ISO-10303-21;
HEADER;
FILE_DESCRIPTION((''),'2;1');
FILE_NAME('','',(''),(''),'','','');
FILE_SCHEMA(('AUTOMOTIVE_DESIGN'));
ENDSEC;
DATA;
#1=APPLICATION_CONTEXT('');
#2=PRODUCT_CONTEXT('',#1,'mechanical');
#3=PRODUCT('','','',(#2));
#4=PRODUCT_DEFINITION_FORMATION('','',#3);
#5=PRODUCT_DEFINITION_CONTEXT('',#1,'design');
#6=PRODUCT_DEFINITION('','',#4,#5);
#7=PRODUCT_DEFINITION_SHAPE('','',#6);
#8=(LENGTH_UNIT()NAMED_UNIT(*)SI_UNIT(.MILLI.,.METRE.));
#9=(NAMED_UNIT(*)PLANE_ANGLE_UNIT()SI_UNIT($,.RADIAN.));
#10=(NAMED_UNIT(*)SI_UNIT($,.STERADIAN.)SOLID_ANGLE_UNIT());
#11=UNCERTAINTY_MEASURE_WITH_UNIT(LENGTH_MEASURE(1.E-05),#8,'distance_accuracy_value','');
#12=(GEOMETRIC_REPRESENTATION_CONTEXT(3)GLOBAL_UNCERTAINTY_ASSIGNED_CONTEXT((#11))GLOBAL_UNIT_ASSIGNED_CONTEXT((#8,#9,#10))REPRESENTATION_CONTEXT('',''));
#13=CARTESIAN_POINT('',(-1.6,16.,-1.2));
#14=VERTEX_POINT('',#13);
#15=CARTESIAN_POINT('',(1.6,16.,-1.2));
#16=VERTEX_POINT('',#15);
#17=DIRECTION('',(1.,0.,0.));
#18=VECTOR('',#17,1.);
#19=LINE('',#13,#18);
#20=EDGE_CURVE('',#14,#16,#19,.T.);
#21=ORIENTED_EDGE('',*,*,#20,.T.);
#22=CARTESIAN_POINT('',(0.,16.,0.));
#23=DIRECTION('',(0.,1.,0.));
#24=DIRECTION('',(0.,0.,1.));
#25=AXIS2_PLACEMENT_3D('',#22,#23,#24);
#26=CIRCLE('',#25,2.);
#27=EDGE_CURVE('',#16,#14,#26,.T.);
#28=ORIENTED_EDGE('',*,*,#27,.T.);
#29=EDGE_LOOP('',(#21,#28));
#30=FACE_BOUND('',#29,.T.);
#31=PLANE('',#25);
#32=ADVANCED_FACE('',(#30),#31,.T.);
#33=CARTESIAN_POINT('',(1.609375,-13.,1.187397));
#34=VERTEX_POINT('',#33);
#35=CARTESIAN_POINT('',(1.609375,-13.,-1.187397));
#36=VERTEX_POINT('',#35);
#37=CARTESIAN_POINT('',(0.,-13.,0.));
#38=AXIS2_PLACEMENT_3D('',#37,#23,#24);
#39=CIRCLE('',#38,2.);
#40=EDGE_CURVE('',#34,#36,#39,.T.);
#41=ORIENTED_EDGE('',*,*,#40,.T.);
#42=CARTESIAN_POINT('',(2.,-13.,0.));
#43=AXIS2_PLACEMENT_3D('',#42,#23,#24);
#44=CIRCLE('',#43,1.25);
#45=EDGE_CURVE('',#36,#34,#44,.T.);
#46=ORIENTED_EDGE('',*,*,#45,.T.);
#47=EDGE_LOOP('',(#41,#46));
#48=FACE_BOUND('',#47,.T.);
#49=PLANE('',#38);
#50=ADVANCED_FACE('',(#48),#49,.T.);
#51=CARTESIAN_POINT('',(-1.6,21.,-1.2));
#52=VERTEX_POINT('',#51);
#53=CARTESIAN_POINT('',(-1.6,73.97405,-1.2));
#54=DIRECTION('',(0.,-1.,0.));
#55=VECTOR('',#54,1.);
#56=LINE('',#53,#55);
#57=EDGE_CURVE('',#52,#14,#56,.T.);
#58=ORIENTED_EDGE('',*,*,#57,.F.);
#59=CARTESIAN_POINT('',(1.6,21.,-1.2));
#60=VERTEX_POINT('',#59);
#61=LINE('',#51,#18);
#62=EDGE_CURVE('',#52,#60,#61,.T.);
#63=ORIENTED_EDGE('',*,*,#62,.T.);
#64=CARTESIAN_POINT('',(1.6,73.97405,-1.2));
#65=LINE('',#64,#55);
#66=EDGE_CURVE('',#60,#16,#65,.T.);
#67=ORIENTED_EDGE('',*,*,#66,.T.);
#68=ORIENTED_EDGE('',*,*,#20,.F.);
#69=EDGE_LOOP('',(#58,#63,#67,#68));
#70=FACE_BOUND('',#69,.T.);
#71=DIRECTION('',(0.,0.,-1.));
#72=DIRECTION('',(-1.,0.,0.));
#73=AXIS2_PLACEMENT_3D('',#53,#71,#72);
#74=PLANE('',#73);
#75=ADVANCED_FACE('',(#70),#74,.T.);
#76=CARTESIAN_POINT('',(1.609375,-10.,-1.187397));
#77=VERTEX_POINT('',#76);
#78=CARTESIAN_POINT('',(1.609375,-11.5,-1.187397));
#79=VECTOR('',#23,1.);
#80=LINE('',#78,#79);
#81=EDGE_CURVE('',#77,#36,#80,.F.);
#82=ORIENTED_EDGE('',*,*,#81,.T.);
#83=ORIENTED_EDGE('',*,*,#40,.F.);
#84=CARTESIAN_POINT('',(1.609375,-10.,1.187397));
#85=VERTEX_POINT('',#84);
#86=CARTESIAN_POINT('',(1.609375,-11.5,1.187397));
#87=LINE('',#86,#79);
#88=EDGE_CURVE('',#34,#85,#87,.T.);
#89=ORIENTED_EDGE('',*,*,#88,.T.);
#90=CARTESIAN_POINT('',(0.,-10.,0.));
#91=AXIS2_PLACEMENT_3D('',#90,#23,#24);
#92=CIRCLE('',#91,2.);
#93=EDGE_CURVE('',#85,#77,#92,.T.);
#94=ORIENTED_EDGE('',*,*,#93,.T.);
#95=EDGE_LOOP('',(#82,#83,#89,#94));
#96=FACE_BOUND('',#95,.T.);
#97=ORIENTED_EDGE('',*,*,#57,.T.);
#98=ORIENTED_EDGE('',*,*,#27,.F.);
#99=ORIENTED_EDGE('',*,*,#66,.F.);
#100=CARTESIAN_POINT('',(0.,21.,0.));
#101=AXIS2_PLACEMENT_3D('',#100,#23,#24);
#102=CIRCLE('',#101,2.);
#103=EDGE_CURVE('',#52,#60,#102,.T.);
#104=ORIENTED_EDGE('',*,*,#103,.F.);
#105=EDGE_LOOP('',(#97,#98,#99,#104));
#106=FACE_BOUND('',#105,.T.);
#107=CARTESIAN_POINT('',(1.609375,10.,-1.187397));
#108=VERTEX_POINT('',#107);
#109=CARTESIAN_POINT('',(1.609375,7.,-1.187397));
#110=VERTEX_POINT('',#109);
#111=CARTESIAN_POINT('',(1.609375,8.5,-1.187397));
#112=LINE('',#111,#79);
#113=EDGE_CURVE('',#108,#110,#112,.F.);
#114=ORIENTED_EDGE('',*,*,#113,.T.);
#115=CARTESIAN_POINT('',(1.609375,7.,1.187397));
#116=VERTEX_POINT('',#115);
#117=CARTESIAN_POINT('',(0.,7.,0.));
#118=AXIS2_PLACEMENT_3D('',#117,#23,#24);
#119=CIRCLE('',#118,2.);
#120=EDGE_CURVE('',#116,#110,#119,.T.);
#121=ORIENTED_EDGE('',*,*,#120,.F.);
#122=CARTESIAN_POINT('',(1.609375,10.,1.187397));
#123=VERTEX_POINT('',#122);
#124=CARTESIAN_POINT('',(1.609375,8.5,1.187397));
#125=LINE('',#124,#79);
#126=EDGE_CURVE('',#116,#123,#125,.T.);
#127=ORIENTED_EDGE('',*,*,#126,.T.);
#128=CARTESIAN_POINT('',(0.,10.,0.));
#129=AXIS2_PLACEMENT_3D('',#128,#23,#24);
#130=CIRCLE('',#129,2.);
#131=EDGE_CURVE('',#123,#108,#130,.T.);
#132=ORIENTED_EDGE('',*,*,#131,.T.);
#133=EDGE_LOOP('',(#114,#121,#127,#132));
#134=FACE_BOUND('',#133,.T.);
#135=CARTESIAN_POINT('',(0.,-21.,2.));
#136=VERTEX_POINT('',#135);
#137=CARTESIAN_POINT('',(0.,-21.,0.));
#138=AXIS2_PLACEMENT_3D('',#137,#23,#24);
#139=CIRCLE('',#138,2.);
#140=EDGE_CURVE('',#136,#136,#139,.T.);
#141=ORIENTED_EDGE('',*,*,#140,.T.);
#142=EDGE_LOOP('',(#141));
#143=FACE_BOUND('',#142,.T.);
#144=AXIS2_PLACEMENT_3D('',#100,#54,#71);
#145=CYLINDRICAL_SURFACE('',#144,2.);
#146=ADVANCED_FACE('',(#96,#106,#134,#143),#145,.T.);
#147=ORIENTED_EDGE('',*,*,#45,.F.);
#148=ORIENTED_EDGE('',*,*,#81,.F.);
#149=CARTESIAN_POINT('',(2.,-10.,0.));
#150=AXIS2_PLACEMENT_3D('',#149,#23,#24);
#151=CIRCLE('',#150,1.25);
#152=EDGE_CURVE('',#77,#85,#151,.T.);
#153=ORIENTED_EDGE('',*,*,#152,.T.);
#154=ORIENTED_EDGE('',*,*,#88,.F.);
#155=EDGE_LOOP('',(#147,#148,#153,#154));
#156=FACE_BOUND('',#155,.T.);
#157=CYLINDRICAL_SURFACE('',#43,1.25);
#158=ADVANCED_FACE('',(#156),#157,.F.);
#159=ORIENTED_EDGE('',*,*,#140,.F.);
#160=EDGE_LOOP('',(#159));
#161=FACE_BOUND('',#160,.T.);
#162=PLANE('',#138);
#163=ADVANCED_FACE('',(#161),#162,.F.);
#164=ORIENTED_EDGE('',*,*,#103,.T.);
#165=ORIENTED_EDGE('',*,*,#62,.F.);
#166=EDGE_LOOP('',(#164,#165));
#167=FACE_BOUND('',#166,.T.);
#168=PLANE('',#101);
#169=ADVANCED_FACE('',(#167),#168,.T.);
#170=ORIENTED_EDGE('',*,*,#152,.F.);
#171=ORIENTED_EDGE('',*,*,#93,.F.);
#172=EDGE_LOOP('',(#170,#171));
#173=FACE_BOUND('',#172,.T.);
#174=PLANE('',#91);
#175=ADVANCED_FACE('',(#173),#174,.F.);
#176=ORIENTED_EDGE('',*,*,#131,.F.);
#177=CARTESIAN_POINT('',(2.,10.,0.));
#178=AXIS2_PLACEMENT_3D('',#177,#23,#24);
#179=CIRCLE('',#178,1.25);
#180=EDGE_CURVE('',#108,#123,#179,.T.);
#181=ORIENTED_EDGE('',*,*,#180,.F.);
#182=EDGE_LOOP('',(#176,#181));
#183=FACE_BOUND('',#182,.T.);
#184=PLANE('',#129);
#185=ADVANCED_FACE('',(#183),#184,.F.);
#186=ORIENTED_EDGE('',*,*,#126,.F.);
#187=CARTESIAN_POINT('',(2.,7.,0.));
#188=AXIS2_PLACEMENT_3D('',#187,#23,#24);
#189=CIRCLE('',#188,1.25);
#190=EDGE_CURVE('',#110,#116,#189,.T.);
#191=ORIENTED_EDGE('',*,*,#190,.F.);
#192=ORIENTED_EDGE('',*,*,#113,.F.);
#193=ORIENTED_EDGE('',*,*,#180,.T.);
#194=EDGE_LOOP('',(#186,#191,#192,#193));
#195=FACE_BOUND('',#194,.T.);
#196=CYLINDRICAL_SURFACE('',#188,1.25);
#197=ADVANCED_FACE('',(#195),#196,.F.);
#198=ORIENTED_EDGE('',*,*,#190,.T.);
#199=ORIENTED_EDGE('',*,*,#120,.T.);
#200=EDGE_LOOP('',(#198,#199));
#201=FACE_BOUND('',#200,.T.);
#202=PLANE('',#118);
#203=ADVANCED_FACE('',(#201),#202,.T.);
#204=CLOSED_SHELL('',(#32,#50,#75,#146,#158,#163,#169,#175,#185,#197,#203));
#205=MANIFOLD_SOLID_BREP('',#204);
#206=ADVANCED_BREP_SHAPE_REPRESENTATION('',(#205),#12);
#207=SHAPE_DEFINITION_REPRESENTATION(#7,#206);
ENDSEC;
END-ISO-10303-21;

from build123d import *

# Parameters (mm, degrees)
CROQUIS1_R                 = 2
SALIENTE_EXTRUIR1_DEPTH    = 21
CORTAR_EXTRUIR1_DEPTH      = 43.09513036
CORTAR_EXTRUIR1_DEPTH_BACK = 5
CUT_EXTRUDE1_START         = 10
SKETCH2_R                  = 1.25
CUT_EXTRUDE1_DEPTH         = 3
LPATTERN1_COUNT            = 2
LPATTERN1_PITCH            = 20


with BuildPart() as part:
    # Croquis1 → Saliente-Extruir1 (new, symmetric)
    with BuildSketch(Plane(origin=(0, 0, 0), x_dir=(1, 0, 0), z_dir=(0, 1, 0))):
        with Locations(Location((0, 0, 0), (0, 0, 90))):
            Circle(CROQUIS1_R)
    extrude(amount=SALIENTE_EXTRUIR1_DEPTH, both=True)

    # Croquis2 → Cortar-Extruir1 (cut, two sides: drawn at the far end of the back side and taken through both)
    with BuildSketch(Plane(origin=(0, 21, 0), x_dir=(1, 0, 0), z_dir=(0, 1, 0)).offset(-CORTAR_EXTRUIR1_DEPTH_BACK)):
        Polygon((-21.233275663, 1.2), (-1.6, 1.2), (1.6, 1.2), (21.233275663, 1.2), (21.233275663, 40.466551326), (-21.233275663, 40.466551326), align=None)
    extrude(amount=CORTAR_EXTRUIR1_DEPTH + CORTAR_EXTRUIR1_DEPTH_BACK, mode=Mode.SUBTRACT)

    # Sketch2 → Cut-Extrude1 (cut)
    with BuildSketch(Plane(origin=(0, 0, 0), x_dir=(1, 0, 0), z_dir=(0, 1, 0)).offset(CUT_EXTRUDE1_START)):
        with Locations((2, 0)):
            Circle(SKETCH2_R)
    cut_extrude1 = extrude(amount=-CUT_EXTRUDE1_DEPTH, mode=Mode.SUBTRACT)

    # LPattern1: Cut-Extrude1 ×2
    with Locations(*[(0, -i * LPATTERN1_PITCH, 0) for i in range(1, LPATTERN1_COUNT)]):
        add(cut_extrude1, mode=Mode.SUBTRACT)


solid = part.part
